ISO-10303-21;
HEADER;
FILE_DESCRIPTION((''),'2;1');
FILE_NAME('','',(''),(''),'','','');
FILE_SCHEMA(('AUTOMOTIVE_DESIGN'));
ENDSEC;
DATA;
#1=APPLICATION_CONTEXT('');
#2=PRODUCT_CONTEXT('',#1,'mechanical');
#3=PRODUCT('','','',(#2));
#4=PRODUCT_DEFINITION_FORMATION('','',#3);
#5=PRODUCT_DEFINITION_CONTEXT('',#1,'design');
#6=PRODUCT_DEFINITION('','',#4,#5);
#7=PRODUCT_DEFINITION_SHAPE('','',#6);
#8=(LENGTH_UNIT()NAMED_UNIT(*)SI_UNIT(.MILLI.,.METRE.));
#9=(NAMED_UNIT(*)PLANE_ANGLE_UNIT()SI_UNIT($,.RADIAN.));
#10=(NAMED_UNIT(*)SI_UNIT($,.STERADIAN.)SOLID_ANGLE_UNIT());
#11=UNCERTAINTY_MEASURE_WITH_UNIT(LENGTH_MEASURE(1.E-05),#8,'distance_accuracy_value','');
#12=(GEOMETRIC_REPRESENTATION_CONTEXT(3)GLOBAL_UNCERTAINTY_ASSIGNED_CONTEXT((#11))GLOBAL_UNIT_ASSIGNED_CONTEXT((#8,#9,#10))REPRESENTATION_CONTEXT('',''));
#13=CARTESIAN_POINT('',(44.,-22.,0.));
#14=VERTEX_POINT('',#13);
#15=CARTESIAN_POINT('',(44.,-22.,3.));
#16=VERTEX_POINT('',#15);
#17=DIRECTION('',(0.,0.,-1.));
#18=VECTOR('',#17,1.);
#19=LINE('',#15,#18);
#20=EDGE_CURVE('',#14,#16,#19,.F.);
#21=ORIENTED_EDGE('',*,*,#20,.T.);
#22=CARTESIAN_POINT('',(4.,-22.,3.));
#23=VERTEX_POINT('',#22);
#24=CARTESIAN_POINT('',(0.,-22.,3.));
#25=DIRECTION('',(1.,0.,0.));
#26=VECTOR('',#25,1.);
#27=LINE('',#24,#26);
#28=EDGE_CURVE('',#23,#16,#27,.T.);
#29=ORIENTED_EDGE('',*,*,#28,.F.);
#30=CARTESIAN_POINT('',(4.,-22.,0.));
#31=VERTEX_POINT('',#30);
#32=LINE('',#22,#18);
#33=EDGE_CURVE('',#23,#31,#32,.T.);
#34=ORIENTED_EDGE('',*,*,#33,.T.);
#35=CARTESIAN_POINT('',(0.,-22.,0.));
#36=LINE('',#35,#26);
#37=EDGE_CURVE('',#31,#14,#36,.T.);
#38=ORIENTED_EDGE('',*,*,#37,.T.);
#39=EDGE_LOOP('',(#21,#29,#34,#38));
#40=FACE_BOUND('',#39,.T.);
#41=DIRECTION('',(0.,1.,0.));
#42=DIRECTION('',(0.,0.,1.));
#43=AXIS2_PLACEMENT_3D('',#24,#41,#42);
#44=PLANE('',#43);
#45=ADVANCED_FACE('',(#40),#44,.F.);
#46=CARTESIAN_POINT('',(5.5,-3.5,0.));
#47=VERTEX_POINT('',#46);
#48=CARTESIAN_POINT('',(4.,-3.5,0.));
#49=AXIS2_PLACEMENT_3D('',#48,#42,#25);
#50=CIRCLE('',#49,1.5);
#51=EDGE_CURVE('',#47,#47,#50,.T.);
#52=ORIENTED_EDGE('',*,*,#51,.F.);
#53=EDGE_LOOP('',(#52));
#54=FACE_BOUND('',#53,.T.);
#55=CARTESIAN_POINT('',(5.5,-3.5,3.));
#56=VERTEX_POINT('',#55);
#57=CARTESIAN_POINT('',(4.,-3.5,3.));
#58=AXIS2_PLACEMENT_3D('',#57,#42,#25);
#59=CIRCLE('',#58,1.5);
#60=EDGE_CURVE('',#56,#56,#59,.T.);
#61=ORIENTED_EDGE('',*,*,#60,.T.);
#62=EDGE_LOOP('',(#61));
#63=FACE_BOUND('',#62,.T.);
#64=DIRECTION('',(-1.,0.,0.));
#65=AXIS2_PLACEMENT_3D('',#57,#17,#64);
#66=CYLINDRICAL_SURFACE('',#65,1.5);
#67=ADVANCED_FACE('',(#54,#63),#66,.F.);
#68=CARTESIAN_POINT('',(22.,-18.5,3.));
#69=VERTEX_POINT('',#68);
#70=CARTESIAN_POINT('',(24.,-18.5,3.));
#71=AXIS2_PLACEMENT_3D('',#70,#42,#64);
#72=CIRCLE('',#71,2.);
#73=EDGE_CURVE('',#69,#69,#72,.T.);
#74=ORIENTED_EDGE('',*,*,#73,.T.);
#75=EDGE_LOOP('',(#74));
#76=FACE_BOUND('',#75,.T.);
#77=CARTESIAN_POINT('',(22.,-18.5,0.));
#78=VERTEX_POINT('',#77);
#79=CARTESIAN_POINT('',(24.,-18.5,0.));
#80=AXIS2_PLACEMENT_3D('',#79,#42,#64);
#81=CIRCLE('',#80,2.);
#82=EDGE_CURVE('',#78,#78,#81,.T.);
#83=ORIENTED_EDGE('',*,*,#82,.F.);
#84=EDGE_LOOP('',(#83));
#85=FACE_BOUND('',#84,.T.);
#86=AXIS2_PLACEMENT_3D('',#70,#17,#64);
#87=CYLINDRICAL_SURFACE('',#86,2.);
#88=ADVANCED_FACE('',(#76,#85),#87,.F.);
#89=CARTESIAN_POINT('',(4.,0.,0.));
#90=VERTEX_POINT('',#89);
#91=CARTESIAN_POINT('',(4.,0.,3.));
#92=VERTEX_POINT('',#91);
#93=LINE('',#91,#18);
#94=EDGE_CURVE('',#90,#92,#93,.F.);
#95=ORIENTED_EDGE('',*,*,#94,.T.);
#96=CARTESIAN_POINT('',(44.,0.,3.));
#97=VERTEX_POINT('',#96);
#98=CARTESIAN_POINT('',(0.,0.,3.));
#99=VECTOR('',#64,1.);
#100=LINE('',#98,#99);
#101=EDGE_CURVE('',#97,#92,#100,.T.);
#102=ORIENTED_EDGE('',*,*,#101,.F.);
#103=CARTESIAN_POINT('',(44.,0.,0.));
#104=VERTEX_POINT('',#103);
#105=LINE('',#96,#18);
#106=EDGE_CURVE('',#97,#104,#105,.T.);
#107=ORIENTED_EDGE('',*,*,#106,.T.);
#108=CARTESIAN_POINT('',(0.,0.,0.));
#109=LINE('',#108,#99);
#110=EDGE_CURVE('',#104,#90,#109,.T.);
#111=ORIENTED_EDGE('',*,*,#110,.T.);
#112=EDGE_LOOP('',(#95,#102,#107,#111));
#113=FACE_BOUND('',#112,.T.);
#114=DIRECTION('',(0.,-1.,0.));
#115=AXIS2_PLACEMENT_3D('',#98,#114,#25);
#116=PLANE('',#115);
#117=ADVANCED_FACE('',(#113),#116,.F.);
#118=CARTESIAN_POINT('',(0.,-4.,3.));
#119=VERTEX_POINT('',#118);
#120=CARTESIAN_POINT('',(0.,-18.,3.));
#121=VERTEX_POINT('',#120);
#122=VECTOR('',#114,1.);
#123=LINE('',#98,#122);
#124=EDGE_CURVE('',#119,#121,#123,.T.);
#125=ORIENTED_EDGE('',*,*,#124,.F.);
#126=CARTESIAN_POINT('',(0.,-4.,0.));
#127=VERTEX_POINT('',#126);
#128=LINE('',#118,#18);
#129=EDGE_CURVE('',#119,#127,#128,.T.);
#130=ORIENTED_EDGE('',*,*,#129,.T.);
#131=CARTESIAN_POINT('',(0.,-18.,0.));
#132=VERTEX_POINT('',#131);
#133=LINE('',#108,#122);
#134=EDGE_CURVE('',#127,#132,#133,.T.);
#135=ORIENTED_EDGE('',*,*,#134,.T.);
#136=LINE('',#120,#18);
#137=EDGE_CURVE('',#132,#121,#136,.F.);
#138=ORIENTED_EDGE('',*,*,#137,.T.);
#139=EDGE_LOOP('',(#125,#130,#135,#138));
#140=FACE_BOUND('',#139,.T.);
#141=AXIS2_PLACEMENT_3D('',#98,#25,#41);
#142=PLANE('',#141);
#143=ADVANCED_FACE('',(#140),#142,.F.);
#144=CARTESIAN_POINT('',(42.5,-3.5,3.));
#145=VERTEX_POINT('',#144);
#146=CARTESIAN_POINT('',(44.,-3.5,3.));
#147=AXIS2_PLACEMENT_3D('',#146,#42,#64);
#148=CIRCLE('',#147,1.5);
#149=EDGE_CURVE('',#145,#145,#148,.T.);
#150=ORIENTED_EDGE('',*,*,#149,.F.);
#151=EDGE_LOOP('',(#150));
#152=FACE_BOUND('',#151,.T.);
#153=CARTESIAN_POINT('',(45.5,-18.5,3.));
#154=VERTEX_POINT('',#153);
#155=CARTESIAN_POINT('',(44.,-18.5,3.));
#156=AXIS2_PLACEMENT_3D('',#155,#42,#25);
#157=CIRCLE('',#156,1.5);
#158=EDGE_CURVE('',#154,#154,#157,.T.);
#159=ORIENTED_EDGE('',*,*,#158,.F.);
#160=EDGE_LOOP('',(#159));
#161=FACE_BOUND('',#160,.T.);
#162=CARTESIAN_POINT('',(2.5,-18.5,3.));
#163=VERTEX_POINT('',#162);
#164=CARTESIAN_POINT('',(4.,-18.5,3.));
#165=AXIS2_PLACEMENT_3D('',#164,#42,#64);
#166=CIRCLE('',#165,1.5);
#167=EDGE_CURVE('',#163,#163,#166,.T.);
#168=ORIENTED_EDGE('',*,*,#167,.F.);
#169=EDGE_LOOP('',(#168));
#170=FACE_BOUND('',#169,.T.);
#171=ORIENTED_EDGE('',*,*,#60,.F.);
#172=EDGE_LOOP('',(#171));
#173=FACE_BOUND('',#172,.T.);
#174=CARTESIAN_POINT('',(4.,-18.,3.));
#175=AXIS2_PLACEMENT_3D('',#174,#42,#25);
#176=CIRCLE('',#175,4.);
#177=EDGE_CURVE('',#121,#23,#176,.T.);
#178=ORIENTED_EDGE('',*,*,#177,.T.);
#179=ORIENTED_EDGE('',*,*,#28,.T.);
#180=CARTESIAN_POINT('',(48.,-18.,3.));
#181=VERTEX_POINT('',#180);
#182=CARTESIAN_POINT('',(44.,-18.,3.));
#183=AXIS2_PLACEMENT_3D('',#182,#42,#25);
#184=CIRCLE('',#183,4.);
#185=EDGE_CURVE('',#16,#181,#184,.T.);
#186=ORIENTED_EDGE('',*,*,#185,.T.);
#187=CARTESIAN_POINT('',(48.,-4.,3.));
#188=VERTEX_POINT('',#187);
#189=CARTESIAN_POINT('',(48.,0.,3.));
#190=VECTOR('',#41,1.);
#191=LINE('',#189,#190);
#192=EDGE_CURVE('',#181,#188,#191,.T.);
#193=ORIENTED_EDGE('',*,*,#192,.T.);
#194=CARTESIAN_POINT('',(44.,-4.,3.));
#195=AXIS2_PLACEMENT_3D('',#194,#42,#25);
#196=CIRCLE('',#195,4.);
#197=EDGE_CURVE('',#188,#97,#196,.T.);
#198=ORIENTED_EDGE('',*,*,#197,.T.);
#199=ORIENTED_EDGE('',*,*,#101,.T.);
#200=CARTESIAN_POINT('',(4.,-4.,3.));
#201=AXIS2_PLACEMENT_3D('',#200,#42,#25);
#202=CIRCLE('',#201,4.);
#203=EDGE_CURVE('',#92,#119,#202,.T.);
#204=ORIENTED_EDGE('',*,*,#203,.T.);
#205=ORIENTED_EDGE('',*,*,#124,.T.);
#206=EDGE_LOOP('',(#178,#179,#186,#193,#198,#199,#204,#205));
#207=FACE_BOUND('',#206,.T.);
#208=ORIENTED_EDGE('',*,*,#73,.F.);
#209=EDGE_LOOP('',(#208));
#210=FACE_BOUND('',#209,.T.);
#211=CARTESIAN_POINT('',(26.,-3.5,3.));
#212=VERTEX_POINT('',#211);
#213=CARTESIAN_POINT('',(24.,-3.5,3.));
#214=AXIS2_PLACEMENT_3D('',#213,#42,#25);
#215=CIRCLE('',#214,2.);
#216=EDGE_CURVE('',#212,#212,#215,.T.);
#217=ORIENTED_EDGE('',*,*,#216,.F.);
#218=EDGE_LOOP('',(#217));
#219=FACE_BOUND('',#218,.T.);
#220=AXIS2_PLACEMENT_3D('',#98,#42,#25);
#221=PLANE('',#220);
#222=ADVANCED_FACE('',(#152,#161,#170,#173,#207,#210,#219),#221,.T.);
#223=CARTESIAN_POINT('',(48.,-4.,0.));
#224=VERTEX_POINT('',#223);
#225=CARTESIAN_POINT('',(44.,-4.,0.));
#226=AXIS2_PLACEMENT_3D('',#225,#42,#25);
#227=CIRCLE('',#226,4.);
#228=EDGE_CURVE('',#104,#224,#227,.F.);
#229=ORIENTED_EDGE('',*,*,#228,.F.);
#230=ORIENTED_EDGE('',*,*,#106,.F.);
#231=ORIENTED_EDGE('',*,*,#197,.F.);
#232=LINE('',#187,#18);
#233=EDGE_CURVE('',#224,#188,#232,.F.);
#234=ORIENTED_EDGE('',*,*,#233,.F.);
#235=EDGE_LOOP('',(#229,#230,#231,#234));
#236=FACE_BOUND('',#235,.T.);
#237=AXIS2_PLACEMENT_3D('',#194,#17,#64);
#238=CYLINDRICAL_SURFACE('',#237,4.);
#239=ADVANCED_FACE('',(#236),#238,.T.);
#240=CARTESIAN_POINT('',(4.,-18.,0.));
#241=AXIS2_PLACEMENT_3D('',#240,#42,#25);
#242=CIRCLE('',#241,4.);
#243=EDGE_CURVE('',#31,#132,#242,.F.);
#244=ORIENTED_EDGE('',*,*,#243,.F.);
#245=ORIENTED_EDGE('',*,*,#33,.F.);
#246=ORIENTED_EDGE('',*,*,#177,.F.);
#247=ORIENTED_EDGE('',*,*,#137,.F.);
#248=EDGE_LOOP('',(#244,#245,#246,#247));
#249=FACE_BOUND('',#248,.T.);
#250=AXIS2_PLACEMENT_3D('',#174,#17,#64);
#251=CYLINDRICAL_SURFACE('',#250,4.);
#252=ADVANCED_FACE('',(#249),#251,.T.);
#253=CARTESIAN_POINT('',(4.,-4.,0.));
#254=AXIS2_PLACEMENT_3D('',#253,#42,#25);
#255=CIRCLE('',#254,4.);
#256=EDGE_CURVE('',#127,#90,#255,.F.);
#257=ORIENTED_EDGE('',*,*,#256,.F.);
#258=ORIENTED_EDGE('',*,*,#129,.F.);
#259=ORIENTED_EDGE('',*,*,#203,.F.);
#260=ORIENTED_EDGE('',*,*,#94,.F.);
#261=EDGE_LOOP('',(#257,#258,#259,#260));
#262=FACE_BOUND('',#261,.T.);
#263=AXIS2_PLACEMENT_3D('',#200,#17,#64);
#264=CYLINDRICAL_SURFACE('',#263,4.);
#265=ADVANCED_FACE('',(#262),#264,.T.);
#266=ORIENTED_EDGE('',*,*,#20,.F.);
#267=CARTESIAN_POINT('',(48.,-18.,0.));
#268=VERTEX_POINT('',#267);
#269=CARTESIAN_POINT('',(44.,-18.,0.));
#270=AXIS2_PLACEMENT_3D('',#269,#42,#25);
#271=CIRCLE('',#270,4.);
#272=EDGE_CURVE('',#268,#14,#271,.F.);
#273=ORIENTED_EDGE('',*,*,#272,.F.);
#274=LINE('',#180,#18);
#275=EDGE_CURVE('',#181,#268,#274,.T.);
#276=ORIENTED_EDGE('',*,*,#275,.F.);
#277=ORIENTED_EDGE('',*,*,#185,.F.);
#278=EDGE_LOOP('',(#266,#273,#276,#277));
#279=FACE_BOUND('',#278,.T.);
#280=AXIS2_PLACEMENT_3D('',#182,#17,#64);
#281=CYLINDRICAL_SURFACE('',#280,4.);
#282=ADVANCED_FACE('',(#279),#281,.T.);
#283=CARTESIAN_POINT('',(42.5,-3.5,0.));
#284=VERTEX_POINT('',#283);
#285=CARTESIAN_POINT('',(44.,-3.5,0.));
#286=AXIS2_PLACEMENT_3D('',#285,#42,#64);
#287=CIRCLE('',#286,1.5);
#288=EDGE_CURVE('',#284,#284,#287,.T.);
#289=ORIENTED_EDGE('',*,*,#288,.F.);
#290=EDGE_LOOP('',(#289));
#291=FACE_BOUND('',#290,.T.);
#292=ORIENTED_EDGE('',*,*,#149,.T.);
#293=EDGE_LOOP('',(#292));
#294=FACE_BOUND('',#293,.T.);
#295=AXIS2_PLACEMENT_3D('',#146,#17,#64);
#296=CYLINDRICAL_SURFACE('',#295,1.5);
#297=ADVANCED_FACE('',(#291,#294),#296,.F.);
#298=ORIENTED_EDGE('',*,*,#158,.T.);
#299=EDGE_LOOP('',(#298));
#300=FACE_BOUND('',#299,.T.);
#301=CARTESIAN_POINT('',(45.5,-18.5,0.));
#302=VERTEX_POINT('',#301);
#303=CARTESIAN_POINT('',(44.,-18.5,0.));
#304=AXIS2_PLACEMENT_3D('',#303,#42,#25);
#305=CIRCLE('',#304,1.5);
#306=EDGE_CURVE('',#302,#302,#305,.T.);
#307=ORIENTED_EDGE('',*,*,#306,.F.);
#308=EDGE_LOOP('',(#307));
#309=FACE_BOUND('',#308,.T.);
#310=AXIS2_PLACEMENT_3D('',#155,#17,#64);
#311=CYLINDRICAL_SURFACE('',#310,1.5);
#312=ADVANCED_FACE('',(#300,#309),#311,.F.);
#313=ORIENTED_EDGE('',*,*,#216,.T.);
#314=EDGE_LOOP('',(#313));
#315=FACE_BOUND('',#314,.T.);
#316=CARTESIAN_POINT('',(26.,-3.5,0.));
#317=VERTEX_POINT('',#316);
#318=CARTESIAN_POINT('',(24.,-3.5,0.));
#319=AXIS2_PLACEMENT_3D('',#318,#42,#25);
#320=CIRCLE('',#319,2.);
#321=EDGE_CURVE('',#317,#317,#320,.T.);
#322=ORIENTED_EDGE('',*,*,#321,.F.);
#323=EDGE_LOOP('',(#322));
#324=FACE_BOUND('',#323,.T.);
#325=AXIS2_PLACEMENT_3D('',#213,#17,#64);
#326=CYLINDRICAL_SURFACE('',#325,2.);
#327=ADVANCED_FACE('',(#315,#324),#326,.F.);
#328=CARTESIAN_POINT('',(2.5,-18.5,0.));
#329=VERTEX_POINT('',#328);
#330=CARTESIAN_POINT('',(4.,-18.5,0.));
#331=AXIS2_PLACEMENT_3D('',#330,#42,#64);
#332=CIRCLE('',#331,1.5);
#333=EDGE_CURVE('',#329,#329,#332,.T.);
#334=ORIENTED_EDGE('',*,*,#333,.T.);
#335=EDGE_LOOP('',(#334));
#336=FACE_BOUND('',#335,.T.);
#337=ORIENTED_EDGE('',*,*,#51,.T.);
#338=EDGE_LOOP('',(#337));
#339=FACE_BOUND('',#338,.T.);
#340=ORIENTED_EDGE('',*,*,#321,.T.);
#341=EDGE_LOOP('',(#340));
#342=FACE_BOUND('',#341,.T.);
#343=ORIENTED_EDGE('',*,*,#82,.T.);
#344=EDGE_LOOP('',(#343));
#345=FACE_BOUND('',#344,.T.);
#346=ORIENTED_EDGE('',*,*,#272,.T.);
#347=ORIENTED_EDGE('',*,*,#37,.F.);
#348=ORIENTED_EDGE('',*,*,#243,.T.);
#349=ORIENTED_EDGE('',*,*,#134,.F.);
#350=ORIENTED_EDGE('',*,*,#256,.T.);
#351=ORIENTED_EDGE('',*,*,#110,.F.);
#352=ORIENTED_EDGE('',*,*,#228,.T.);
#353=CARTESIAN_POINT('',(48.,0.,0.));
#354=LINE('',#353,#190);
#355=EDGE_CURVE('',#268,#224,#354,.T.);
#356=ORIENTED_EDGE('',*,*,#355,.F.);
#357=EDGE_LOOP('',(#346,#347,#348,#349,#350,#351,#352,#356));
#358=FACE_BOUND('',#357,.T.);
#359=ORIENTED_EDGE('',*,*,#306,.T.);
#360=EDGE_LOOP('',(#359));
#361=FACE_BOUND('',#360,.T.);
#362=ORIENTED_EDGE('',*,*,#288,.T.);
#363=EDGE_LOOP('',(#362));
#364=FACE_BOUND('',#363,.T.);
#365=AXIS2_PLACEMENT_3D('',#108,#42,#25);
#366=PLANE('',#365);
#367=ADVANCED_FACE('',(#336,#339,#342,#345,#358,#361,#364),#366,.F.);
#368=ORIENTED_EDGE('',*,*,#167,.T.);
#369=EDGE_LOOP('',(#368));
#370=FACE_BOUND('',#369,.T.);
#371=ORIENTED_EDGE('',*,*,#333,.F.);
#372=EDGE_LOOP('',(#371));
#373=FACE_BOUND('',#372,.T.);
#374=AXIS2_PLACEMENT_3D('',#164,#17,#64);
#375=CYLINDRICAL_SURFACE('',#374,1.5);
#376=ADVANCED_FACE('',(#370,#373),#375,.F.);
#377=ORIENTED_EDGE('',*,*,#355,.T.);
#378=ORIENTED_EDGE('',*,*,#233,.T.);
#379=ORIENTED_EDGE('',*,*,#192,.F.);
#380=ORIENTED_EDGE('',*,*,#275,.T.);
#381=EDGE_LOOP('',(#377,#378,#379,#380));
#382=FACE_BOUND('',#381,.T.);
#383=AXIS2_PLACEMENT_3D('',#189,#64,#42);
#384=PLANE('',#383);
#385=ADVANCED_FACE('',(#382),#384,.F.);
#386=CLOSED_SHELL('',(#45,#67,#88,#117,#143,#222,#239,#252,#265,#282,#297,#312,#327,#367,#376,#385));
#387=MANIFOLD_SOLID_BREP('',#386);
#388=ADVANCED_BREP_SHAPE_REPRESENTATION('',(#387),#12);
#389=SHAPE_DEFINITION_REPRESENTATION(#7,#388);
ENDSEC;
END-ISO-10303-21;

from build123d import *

# Parameters (mm, degrees)
ESQUISSE1_W        = 48
ESQUISSE1_H        = 22
ESQUISSE1_R        = 2
ESQUISSE1_R_2      = 1.5
BOSS_EXTRU_1_DEPTH = 3
CONG_1_R           = 4


with BuildPart() as part:
    # Esquisse1 → Boss.-Extru.1 (new body)
    with BuildSketch(Plane.XY):
        with Locations((24, -11)):
            Rectangle(ESQUISSE1_W, ESQUISSE1_H)
        with Locations((24, -3.5)):
            Circle(ESQUISSE1_R, mode=Mode.SUBTRACT)
        with Locations((24, -18.5)):
            Circle(ESQUISSE1_R, mode=Mode.SUBTRACT)
        with Locations((4, -3.5)):
            Circle(ESQUISSE1_R_2, mode=Mode.SUBTRACT)
        with Locations((44, -3.5)):
            Circle(ESQUISSE1_R_2, mode=Mode.SUBTRACT)
        with Locations((44, -18.5)):
            Circle(ESQUISSE1_R_2, mode=Mode.SUBTRACT)
        with Locations((4, -18.5)):
            Circle(ESQUISSE1_R_2, mode=Mode.SUBTRACT)
    extrude(amount=BOSS_EXTRU_1_DEPTH)

    # Congé1
    cong_1_edges = [part.edges().sort_by_distance(p)[0] for p in [
        (0, 0, 1.5),
        (48, 0, 1.5),
        (48, -22, 1.5),
        (0, -22, 1.5),
    ]]
    fillet(cong_1_edges, radius=CONG_1_R)


solid = part.part
